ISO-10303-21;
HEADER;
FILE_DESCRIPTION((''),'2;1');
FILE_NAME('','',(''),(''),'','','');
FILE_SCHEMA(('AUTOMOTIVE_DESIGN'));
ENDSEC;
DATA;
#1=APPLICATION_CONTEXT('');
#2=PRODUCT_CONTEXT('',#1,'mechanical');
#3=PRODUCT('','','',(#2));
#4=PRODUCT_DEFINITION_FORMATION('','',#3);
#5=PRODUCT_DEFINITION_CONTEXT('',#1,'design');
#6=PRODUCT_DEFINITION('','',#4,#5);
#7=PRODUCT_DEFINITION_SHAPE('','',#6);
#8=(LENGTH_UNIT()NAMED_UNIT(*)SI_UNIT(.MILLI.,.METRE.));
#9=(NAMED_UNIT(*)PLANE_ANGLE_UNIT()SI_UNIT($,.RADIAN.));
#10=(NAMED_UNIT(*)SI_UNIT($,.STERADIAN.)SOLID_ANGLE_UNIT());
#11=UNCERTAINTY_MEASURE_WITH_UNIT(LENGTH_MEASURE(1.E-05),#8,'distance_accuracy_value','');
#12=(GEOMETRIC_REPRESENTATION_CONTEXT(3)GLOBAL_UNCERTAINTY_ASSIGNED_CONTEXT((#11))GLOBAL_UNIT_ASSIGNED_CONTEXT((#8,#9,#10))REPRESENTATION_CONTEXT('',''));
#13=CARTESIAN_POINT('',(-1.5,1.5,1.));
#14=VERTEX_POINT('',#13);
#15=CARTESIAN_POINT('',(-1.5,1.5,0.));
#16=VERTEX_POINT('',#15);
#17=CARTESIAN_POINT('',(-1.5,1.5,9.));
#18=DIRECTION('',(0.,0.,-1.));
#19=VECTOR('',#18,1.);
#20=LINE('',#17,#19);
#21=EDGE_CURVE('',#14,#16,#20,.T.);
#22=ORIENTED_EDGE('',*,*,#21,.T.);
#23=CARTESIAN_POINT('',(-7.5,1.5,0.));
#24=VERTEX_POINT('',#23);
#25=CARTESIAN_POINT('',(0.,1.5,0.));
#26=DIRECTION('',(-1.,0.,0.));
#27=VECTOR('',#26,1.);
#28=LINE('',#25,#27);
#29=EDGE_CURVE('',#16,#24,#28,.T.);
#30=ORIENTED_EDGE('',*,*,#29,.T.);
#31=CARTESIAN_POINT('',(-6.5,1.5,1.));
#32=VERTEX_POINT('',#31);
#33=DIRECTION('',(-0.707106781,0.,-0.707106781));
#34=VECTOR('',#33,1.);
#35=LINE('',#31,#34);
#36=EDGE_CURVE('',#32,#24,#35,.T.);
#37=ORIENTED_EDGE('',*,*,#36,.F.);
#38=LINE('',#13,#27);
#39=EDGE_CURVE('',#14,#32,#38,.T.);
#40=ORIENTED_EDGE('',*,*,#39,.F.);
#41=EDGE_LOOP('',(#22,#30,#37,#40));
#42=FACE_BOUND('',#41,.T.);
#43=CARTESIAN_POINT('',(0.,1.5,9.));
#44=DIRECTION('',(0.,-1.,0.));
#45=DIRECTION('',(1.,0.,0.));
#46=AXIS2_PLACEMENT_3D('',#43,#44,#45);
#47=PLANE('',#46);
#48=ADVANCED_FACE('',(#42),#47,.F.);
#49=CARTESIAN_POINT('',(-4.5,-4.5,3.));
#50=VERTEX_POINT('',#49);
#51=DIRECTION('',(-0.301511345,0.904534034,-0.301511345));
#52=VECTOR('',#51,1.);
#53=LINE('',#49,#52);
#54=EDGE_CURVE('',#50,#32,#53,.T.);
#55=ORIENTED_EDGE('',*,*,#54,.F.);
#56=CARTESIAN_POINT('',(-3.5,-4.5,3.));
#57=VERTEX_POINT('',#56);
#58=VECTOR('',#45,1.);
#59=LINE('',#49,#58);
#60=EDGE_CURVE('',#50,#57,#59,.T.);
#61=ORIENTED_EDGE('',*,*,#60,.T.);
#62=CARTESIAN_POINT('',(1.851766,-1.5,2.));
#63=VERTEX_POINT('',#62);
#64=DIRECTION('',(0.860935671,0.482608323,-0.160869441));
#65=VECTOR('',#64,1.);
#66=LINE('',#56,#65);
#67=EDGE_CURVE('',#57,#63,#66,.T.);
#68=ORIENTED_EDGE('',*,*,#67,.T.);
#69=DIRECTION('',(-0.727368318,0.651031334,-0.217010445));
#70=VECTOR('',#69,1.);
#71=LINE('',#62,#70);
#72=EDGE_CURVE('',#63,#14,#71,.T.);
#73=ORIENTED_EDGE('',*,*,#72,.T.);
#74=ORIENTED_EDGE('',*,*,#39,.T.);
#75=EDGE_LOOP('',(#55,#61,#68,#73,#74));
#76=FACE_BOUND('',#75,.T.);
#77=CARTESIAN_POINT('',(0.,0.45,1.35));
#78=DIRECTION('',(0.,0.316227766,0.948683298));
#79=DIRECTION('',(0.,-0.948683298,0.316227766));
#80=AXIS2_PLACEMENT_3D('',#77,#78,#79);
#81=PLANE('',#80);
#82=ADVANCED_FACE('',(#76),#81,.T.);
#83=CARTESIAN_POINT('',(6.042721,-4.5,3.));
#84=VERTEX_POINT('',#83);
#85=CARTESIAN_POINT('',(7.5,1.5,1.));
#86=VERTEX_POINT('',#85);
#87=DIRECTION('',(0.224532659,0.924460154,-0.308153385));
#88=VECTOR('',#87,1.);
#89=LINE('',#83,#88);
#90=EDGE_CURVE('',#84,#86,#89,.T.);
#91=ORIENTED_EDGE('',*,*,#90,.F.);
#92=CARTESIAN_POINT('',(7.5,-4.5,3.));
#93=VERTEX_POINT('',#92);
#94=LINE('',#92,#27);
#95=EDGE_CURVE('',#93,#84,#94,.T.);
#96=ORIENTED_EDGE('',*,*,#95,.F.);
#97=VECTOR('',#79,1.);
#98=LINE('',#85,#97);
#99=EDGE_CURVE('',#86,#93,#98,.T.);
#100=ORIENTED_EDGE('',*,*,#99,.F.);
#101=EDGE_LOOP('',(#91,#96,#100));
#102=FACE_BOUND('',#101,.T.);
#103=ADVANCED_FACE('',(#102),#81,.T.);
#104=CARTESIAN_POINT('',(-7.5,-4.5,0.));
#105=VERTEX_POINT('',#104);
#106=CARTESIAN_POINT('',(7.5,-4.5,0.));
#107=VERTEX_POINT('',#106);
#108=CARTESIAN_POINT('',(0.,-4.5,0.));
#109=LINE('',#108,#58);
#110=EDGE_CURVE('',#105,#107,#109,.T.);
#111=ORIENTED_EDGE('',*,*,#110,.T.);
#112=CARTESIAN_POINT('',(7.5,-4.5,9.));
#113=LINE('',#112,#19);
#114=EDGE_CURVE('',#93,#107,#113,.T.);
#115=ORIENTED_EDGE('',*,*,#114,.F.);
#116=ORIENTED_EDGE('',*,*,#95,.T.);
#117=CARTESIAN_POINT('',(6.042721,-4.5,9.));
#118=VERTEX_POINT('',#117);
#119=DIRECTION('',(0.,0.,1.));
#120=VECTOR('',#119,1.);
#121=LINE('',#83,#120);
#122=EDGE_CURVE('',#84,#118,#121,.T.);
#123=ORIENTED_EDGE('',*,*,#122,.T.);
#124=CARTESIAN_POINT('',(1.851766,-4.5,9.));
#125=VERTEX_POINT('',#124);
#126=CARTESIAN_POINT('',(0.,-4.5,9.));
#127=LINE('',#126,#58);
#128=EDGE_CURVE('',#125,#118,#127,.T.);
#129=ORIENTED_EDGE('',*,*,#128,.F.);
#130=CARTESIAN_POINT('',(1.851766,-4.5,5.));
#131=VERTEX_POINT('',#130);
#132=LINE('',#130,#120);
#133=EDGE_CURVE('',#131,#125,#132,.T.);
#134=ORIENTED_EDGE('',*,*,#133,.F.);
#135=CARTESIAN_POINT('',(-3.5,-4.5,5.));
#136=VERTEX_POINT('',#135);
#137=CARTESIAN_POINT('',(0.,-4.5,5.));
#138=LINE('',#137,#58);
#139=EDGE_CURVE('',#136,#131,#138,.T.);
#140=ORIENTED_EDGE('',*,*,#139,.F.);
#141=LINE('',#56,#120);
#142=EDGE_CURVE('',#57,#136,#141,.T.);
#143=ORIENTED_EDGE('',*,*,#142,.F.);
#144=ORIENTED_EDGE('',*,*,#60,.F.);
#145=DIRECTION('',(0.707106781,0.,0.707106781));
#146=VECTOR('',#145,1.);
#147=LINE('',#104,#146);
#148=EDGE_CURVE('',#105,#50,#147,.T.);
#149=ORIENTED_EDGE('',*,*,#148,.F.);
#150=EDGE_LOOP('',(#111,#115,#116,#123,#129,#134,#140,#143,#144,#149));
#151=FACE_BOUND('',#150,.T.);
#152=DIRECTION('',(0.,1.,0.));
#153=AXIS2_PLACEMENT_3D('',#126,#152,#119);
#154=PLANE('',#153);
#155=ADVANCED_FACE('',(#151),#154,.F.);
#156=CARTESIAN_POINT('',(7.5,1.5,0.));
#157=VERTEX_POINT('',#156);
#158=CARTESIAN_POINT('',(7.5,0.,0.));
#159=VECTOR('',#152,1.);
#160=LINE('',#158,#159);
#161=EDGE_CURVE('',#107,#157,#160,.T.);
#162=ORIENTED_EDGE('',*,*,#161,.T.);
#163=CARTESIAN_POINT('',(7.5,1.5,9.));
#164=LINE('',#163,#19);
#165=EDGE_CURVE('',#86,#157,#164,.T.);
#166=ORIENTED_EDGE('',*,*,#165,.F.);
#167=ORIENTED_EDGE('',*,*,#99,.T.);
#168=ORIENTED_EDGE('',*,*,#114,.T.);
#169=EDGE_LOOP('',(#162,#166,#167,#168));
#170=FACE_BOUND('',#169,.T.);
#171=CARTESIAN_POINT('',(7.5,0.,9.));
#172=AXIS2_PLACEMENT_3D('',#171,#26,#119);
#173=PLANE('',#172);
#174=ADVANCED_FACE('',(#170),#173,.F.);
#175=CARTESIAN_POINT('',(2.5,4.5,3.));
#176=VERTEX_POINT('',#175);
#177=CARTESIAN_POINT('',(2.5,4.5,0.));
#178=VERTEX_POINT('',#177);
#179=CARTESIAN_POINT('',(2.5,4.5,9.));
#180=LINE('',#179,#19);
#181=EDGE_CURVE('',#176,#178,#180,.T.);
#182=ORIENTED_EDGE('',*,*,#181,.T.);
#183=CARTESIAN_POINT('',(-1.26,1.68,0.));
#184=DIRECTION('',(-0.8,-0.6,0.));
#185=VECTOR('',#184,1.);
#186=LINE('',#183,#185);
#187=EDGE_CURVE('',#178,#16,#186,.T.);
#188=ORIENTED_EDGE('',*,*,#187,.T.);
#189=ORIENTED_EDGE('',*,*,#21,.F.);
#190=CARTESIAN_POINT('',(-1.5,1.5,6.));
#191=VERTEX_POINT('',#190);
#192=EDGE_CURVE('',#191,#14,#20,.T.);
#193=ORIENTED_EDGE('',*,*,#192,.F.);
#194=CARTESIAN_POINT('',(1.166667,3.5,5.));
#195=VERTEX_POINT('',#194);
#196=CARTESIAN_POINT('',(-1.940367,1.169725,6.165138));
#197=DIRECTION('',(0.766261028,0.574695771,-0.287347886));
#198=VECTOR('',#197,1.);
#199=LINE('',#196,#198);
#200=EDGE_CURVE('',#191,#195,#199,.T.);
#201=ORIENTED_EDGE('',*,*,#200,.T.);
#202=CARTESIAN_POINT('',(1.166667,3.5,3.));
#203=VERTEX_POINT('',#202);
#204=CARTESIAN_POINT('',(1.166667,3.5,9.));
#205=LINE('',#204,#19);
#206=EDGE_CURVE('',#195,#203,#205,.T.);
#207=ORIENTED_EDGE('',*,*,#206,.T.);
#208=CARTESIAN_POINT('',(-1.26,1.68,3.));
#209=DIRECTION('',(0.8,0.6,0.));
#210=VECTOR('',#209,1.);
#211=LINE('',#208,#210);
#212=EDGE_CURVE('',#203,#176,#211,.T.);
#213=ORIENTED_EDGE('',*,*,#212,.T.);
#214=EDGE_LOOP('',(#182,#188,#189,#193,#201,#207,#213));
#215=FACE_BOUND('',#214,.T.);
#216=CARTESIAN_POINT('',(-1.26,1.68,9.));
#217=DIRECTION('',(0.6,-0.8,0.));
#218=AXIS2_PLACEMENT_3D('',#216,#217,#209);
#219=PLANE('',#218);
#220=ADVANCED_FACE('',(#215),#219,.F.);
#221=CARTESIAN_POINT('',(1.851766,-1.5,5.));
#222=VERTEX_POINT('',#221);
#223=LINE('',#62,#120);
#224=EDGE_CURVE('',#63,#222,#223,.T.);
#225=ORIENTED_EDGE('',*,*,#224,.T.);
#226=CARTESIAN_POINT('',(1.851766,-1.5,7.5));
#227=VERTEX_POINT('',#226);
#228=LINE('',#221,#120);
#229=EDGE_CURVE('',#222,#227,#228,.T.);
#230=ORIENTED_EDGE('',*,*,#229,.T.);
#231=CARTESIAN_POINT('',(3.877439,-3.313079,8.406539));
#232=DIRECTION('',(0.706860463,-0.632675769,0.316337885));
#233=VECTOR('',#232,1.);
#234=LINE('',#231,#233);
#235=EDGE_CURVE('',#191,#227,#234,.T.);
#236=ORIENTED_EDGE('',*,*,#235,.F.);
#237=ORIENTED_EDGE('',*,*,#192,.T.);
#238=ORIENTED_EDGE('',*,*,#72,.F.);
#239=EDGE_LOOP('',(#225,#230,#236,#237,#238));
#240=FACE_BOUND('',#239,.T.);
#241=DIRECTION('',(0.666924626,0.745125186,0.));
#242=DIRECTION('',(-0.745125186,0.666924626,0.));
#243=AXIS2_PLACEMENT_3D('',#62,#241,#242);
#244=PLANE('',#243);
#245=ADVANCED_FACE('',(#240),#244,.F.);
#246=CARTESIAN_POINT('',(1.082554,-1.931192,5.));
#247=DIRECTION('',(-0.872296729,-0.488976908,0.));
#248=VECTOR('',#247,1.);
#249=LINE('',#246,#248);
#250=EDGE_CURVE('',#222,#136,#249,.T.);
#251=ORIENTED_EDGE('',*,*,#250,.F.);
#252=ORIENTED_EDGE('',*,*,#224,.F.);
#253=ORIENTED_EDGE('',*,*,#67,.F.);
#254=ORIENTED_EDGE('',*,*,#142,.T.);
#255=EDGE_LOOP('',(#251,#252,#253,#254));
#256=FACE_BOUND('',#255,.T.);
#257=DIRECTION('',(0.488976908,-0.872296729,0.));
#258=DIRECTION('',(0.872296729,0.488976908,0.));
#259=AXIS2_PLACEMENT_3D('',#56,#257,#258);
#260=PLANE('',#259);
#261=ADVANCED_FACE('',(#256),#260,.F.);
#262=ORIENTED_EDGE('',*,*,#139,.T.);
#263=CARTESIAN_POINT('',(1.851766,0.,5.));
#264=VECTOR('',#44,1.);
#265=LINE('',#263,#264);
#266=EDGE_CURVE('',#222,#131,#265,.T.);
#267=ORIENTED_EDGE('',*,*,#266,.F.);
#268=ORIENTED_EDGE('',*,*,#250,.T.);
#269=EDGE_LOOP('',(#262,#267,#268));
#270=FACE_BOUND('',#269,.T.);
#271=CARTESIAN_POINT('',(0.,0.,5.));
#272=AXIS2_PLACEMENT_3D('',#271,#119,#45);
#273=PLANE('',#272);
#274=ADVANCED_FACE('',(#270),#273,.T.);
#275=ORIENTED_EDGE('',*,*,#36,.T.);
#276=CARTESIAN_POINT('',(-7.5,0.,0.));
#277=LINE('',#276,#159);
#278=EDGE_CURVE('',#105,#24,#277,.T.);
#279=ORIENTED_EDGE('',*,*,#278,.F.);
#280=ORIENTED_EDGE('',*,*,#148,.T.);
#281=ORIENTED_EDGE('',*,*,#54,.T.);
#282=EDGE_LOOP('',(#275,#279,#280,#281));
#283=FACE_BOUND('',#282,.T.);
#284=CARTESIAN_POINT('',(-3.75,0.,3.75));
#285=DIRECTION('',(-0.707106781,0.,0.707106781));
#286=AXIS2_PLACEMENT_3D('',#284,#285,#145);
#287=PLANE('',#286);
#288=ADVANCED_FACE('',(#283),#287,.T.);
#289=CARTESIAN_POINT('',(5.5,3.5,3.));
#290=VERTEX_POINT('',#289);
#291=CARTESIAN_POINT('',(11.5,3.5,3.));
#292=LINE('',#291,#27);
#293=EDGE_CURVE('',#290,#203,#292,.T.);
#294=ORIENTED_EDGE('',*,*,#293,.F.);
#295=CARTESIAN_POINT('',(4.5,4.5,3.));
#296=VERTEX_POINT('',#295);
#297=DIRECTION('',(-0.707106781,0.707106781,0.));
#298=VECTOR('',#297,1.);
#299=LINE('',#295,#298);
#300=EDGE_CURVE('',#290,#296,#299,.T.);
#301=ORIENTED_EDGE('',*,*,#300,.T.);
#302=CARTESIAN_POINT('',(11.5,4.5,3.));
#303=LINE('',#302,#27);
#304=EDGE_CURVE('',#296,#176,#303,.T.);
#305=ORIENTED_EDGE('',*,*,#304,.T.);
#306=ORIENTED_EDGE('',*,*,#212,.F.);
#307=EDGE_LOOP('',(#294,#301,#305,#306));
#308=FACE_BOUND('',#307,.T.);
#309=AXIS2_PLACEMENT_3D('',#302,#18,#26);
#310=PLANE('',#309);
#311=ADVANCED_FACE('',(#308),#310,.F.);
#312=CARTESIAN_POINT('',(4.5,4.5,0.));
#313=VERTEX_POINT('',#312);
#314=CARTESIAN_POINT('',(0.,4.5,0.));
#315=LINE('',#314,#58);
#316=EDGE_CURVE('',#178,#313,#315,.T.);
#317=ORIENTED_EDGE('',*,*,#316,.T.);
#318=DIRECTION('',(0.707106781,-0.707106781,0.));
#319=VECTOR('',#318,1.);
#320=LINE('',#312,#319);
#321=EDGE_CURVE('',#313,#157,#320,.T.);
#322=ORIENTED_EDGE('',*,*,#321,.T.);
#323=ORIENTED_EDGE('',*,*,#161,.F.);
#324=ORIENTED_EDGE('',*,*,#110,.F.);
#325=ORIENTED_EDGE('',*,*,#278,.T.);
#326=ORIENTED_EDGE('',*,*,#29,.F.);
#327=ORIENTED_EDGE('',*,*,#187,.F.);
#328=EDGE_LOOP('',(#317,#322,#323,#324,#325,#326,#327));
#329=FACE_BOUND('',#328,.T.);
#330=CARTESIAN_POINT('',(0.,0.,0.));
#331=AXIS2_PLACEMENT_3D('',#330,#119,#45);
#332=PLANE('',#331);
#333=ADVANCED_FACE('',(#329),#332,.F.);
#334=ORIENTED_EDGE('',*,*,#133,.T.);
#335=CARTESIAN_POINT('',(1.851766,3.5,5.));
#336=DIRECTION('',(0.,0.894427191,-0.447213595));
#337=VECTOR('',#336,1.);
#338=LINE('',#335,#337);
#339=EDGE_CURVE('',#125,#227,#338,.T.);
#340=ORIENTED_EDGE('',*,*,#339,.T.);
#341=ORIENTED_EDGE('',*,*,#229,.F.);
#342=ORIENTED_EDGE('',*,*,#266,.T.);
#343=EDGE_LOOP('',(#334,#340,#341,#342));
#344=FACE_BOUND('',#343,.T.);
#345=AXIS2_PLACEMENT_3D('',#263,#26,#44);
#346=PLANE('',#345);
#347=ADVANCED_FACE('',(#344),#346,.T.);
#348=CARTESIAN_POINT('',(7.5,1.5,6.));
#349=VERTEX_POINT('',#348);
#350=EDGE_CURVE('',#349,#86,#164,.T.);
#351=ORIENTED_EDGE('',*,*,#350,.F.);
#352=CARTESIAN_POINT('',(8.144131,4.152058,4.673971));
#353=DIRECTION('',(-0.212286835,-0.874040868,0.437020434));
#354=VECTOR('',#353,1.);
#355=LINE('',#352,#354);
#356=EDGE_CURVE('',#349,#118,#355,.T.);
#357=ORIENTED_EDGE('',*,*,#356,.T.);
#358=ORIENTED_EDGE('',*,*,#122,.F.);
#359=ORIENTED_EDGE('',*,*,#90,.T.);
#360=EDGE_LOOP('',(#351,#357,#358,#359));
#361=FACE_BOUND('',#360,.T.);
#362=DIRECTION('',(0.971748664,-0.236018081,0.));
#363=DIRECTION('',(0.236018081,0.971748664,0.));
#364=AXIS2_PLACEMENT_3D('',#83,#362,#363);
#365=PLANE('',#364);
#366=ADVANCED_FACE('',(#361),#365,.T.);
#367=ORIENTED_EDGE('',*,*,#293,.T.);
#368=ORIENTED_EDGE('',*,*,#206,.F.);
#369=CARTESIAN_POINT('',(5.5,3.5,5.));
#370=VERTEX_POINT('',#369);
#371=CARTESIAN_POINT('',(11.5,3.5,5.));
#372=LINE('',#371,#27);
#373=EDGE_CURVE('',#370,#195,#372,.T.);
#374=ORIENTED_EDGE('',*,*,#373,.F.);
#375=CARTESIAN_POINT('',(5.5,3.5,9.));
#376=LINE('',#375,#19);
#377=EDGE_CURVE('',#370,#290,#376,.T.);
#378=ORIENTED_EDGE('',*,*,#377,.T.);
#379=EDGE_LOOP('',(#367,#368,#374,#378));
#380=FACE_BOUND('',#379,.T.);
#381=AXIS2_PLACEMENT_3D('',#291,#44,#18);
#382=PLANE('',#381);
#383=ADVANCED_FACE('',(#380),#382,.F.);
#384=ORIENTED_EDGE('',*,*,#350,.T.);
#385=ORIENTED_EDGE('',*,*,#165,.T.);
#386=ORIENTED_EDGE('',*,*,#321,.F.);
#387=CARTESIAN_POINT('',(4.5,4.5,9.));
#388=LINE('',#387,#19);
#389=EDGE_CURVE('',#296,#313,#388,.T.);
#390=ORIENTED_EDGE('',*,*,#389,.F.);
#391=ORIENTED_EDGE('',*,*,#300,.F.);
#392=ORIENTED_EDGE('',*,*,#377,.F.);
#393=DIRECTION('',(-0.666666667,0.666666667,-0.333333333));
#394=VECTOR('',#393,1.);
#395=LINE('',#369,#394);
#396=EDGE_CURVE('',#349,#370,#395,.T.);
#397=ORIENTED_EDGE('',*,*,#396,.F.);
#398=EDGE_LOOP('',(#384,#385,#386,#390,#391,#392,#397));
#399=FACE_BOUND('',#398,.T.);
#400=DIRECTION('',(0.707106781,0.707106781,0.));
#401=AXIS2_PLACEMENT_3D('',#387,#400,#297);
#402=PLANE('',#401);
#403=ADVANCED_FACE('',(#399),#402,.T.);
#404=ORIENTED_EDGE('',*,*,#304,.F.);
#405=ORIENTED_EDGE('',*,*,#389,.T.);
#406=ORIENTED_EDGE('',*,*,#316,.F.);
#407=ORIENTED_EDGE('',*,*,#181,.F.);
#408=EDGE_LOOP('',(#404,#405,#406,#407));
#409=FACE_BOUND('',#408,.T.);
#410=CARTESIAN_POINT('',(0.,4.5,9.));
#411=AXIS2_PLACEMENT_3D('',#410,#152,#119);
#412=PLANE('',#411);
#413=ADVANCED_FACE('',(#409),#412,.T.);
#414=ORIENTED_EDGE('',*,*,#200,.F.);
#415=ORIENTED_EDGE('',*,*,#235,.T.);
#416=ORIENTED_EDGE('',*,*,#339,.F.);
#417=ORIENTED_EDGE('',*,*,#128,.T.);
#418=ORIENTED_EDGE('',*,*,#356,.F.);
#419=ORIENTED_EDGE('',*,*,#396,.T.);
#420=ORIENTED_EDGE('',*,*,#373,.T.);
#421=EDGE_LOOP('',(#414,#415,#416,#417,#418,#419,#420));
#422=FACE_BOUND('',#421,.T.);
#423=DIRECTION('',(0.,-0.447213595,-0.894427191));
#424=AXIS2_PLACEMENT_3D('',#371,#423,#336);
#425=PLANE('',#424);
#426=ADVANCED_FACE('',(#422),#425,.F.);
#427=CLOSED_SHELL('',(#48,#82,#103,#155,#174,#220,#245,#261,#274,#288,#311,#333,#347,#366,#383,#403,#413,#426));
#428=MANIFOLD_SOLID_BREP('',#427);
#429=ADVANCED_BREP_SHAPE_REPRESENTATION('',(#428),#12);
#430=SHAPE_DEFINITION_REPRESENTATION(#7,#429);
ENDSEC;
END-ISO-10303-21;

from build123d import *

# Parameters (mm, degrees)
BOSS_EXTRUDE1_DEPTH = 9
CUT_EXTRUDE1_DEPTH  = 19
CUT_EXTRUDE2_DEPTH  = 10
CUT_EXTRUDE3_DEPTH  = 10
CUT_EXTRUDE4_DEPTH  = 10
CUT_EXTRUDE6_DEPTH  = 5


with BuildPart() as part:
    # Sketch1 → Boss-Extrude1 (new body)
    with BuildSketch(Plane.XY):
        Polygon((7.5, 1.5), (4.5, 4.5), (2.5, 4.5), (-1.5, 1.5), (-7.5, 1.5), (-7.5, -4.5), (7.5, -4.5), align=None)
    extrude(amount=BOSS_EXTRUDE1_DEPTH)

    # Sketch2 → Cut-Extrude1 (cut)
    with BuildSketch(Plane.ZY.offset(7.5)):
        Polygon((3, 4.5), (3, 3.5), (5, 3.5), (9, -4.5), (9, 4.5), align=None)
    extrude(amount=-CUT_EXTRUDE1_DEPTH, mode=Mode.SUBTRACT)

    # 3DSketch1 → Cut-Extrude2 (cut, along a direction that is not the sketch's normal)
    with BuildSketch(Plane(origin=(-7.5, 1.5, 0), x_dir=(0.4082482904638631, -0.816496580927726, 0.4082482904638631), z_dir=(0.7071067811865476, 0, -0.7071067811865476))):
        Polygon((0, 0), (4.898979486, 3.464101615), (7.348469228, 0), (0.816496581, -1.154700538), align=None)
    extrude(amount=-CUT_EXTRUDE2_DEPTH, dir=(1, 0, 0), mode=Mode.SUBTRACT)

    # 3DSketch2 → Cut-Extrude3 (cut, along a direction that is not the sketch's normal)
    with BuildSketch(Plane(origin=(-6.5, 1.5, 1), x_dir=(0.9352065538199315, -0.3359312898838437, 0.11197709662794787), z_dir=(0, -0.31622776601683794, -0.9486832980505139))):
        Polygon((0, 0), (4.10995504, 5.206560243), (5.045161594, 4.852457572), (8.930397645, 0), (4.676032769, -1.770513356), align=None)
    extrude(amount=-CUT_EXTRUDE3_DEPTH, dir=(0, 0, -1), mode=Mode.SUBTRACT)


with BuildPart() as body_2:
    # of the pieces the cut leaves, the one that is kept (cut_extrude3_keep)
    add(part.part.solids().sort_by_distance((7.5, 1.5, 0))[0])

    # 3DSketch3 → Cut-Extrude4 (cut, along a direction that is not the sketch's normal)
    with BuildSketch(Plane(origin=(7.5, 1.5, 1), x_dir=(-0.22453265936457553, -0.9244601540308832, 0.3081533846769612), z_dir=(0, 0.316227766016838, 0.9486832980505139))):
        Polygon((0, 0), (6.163067694, 1.420069225), (6.490274323, 0), align=None)
    extrude(amount=CUT_EXTRUDE4_DEPTH, dir=(0, 0, 1), mode=Mode.SUBTRACT)

    # Sketch4 → Cut-Extrude6 (cut)
    with BuildSketch(Plane.XY.offset(10)):
        Polygon((1.851766406, -4.5), (1.851766406, -1.5), (-3.5, -4.5), align=None)
    extrude(amount=-CUT_EXTRUDE6_DEPTH, mode=Mode.SUBTRACT)


solid = body_2.part
